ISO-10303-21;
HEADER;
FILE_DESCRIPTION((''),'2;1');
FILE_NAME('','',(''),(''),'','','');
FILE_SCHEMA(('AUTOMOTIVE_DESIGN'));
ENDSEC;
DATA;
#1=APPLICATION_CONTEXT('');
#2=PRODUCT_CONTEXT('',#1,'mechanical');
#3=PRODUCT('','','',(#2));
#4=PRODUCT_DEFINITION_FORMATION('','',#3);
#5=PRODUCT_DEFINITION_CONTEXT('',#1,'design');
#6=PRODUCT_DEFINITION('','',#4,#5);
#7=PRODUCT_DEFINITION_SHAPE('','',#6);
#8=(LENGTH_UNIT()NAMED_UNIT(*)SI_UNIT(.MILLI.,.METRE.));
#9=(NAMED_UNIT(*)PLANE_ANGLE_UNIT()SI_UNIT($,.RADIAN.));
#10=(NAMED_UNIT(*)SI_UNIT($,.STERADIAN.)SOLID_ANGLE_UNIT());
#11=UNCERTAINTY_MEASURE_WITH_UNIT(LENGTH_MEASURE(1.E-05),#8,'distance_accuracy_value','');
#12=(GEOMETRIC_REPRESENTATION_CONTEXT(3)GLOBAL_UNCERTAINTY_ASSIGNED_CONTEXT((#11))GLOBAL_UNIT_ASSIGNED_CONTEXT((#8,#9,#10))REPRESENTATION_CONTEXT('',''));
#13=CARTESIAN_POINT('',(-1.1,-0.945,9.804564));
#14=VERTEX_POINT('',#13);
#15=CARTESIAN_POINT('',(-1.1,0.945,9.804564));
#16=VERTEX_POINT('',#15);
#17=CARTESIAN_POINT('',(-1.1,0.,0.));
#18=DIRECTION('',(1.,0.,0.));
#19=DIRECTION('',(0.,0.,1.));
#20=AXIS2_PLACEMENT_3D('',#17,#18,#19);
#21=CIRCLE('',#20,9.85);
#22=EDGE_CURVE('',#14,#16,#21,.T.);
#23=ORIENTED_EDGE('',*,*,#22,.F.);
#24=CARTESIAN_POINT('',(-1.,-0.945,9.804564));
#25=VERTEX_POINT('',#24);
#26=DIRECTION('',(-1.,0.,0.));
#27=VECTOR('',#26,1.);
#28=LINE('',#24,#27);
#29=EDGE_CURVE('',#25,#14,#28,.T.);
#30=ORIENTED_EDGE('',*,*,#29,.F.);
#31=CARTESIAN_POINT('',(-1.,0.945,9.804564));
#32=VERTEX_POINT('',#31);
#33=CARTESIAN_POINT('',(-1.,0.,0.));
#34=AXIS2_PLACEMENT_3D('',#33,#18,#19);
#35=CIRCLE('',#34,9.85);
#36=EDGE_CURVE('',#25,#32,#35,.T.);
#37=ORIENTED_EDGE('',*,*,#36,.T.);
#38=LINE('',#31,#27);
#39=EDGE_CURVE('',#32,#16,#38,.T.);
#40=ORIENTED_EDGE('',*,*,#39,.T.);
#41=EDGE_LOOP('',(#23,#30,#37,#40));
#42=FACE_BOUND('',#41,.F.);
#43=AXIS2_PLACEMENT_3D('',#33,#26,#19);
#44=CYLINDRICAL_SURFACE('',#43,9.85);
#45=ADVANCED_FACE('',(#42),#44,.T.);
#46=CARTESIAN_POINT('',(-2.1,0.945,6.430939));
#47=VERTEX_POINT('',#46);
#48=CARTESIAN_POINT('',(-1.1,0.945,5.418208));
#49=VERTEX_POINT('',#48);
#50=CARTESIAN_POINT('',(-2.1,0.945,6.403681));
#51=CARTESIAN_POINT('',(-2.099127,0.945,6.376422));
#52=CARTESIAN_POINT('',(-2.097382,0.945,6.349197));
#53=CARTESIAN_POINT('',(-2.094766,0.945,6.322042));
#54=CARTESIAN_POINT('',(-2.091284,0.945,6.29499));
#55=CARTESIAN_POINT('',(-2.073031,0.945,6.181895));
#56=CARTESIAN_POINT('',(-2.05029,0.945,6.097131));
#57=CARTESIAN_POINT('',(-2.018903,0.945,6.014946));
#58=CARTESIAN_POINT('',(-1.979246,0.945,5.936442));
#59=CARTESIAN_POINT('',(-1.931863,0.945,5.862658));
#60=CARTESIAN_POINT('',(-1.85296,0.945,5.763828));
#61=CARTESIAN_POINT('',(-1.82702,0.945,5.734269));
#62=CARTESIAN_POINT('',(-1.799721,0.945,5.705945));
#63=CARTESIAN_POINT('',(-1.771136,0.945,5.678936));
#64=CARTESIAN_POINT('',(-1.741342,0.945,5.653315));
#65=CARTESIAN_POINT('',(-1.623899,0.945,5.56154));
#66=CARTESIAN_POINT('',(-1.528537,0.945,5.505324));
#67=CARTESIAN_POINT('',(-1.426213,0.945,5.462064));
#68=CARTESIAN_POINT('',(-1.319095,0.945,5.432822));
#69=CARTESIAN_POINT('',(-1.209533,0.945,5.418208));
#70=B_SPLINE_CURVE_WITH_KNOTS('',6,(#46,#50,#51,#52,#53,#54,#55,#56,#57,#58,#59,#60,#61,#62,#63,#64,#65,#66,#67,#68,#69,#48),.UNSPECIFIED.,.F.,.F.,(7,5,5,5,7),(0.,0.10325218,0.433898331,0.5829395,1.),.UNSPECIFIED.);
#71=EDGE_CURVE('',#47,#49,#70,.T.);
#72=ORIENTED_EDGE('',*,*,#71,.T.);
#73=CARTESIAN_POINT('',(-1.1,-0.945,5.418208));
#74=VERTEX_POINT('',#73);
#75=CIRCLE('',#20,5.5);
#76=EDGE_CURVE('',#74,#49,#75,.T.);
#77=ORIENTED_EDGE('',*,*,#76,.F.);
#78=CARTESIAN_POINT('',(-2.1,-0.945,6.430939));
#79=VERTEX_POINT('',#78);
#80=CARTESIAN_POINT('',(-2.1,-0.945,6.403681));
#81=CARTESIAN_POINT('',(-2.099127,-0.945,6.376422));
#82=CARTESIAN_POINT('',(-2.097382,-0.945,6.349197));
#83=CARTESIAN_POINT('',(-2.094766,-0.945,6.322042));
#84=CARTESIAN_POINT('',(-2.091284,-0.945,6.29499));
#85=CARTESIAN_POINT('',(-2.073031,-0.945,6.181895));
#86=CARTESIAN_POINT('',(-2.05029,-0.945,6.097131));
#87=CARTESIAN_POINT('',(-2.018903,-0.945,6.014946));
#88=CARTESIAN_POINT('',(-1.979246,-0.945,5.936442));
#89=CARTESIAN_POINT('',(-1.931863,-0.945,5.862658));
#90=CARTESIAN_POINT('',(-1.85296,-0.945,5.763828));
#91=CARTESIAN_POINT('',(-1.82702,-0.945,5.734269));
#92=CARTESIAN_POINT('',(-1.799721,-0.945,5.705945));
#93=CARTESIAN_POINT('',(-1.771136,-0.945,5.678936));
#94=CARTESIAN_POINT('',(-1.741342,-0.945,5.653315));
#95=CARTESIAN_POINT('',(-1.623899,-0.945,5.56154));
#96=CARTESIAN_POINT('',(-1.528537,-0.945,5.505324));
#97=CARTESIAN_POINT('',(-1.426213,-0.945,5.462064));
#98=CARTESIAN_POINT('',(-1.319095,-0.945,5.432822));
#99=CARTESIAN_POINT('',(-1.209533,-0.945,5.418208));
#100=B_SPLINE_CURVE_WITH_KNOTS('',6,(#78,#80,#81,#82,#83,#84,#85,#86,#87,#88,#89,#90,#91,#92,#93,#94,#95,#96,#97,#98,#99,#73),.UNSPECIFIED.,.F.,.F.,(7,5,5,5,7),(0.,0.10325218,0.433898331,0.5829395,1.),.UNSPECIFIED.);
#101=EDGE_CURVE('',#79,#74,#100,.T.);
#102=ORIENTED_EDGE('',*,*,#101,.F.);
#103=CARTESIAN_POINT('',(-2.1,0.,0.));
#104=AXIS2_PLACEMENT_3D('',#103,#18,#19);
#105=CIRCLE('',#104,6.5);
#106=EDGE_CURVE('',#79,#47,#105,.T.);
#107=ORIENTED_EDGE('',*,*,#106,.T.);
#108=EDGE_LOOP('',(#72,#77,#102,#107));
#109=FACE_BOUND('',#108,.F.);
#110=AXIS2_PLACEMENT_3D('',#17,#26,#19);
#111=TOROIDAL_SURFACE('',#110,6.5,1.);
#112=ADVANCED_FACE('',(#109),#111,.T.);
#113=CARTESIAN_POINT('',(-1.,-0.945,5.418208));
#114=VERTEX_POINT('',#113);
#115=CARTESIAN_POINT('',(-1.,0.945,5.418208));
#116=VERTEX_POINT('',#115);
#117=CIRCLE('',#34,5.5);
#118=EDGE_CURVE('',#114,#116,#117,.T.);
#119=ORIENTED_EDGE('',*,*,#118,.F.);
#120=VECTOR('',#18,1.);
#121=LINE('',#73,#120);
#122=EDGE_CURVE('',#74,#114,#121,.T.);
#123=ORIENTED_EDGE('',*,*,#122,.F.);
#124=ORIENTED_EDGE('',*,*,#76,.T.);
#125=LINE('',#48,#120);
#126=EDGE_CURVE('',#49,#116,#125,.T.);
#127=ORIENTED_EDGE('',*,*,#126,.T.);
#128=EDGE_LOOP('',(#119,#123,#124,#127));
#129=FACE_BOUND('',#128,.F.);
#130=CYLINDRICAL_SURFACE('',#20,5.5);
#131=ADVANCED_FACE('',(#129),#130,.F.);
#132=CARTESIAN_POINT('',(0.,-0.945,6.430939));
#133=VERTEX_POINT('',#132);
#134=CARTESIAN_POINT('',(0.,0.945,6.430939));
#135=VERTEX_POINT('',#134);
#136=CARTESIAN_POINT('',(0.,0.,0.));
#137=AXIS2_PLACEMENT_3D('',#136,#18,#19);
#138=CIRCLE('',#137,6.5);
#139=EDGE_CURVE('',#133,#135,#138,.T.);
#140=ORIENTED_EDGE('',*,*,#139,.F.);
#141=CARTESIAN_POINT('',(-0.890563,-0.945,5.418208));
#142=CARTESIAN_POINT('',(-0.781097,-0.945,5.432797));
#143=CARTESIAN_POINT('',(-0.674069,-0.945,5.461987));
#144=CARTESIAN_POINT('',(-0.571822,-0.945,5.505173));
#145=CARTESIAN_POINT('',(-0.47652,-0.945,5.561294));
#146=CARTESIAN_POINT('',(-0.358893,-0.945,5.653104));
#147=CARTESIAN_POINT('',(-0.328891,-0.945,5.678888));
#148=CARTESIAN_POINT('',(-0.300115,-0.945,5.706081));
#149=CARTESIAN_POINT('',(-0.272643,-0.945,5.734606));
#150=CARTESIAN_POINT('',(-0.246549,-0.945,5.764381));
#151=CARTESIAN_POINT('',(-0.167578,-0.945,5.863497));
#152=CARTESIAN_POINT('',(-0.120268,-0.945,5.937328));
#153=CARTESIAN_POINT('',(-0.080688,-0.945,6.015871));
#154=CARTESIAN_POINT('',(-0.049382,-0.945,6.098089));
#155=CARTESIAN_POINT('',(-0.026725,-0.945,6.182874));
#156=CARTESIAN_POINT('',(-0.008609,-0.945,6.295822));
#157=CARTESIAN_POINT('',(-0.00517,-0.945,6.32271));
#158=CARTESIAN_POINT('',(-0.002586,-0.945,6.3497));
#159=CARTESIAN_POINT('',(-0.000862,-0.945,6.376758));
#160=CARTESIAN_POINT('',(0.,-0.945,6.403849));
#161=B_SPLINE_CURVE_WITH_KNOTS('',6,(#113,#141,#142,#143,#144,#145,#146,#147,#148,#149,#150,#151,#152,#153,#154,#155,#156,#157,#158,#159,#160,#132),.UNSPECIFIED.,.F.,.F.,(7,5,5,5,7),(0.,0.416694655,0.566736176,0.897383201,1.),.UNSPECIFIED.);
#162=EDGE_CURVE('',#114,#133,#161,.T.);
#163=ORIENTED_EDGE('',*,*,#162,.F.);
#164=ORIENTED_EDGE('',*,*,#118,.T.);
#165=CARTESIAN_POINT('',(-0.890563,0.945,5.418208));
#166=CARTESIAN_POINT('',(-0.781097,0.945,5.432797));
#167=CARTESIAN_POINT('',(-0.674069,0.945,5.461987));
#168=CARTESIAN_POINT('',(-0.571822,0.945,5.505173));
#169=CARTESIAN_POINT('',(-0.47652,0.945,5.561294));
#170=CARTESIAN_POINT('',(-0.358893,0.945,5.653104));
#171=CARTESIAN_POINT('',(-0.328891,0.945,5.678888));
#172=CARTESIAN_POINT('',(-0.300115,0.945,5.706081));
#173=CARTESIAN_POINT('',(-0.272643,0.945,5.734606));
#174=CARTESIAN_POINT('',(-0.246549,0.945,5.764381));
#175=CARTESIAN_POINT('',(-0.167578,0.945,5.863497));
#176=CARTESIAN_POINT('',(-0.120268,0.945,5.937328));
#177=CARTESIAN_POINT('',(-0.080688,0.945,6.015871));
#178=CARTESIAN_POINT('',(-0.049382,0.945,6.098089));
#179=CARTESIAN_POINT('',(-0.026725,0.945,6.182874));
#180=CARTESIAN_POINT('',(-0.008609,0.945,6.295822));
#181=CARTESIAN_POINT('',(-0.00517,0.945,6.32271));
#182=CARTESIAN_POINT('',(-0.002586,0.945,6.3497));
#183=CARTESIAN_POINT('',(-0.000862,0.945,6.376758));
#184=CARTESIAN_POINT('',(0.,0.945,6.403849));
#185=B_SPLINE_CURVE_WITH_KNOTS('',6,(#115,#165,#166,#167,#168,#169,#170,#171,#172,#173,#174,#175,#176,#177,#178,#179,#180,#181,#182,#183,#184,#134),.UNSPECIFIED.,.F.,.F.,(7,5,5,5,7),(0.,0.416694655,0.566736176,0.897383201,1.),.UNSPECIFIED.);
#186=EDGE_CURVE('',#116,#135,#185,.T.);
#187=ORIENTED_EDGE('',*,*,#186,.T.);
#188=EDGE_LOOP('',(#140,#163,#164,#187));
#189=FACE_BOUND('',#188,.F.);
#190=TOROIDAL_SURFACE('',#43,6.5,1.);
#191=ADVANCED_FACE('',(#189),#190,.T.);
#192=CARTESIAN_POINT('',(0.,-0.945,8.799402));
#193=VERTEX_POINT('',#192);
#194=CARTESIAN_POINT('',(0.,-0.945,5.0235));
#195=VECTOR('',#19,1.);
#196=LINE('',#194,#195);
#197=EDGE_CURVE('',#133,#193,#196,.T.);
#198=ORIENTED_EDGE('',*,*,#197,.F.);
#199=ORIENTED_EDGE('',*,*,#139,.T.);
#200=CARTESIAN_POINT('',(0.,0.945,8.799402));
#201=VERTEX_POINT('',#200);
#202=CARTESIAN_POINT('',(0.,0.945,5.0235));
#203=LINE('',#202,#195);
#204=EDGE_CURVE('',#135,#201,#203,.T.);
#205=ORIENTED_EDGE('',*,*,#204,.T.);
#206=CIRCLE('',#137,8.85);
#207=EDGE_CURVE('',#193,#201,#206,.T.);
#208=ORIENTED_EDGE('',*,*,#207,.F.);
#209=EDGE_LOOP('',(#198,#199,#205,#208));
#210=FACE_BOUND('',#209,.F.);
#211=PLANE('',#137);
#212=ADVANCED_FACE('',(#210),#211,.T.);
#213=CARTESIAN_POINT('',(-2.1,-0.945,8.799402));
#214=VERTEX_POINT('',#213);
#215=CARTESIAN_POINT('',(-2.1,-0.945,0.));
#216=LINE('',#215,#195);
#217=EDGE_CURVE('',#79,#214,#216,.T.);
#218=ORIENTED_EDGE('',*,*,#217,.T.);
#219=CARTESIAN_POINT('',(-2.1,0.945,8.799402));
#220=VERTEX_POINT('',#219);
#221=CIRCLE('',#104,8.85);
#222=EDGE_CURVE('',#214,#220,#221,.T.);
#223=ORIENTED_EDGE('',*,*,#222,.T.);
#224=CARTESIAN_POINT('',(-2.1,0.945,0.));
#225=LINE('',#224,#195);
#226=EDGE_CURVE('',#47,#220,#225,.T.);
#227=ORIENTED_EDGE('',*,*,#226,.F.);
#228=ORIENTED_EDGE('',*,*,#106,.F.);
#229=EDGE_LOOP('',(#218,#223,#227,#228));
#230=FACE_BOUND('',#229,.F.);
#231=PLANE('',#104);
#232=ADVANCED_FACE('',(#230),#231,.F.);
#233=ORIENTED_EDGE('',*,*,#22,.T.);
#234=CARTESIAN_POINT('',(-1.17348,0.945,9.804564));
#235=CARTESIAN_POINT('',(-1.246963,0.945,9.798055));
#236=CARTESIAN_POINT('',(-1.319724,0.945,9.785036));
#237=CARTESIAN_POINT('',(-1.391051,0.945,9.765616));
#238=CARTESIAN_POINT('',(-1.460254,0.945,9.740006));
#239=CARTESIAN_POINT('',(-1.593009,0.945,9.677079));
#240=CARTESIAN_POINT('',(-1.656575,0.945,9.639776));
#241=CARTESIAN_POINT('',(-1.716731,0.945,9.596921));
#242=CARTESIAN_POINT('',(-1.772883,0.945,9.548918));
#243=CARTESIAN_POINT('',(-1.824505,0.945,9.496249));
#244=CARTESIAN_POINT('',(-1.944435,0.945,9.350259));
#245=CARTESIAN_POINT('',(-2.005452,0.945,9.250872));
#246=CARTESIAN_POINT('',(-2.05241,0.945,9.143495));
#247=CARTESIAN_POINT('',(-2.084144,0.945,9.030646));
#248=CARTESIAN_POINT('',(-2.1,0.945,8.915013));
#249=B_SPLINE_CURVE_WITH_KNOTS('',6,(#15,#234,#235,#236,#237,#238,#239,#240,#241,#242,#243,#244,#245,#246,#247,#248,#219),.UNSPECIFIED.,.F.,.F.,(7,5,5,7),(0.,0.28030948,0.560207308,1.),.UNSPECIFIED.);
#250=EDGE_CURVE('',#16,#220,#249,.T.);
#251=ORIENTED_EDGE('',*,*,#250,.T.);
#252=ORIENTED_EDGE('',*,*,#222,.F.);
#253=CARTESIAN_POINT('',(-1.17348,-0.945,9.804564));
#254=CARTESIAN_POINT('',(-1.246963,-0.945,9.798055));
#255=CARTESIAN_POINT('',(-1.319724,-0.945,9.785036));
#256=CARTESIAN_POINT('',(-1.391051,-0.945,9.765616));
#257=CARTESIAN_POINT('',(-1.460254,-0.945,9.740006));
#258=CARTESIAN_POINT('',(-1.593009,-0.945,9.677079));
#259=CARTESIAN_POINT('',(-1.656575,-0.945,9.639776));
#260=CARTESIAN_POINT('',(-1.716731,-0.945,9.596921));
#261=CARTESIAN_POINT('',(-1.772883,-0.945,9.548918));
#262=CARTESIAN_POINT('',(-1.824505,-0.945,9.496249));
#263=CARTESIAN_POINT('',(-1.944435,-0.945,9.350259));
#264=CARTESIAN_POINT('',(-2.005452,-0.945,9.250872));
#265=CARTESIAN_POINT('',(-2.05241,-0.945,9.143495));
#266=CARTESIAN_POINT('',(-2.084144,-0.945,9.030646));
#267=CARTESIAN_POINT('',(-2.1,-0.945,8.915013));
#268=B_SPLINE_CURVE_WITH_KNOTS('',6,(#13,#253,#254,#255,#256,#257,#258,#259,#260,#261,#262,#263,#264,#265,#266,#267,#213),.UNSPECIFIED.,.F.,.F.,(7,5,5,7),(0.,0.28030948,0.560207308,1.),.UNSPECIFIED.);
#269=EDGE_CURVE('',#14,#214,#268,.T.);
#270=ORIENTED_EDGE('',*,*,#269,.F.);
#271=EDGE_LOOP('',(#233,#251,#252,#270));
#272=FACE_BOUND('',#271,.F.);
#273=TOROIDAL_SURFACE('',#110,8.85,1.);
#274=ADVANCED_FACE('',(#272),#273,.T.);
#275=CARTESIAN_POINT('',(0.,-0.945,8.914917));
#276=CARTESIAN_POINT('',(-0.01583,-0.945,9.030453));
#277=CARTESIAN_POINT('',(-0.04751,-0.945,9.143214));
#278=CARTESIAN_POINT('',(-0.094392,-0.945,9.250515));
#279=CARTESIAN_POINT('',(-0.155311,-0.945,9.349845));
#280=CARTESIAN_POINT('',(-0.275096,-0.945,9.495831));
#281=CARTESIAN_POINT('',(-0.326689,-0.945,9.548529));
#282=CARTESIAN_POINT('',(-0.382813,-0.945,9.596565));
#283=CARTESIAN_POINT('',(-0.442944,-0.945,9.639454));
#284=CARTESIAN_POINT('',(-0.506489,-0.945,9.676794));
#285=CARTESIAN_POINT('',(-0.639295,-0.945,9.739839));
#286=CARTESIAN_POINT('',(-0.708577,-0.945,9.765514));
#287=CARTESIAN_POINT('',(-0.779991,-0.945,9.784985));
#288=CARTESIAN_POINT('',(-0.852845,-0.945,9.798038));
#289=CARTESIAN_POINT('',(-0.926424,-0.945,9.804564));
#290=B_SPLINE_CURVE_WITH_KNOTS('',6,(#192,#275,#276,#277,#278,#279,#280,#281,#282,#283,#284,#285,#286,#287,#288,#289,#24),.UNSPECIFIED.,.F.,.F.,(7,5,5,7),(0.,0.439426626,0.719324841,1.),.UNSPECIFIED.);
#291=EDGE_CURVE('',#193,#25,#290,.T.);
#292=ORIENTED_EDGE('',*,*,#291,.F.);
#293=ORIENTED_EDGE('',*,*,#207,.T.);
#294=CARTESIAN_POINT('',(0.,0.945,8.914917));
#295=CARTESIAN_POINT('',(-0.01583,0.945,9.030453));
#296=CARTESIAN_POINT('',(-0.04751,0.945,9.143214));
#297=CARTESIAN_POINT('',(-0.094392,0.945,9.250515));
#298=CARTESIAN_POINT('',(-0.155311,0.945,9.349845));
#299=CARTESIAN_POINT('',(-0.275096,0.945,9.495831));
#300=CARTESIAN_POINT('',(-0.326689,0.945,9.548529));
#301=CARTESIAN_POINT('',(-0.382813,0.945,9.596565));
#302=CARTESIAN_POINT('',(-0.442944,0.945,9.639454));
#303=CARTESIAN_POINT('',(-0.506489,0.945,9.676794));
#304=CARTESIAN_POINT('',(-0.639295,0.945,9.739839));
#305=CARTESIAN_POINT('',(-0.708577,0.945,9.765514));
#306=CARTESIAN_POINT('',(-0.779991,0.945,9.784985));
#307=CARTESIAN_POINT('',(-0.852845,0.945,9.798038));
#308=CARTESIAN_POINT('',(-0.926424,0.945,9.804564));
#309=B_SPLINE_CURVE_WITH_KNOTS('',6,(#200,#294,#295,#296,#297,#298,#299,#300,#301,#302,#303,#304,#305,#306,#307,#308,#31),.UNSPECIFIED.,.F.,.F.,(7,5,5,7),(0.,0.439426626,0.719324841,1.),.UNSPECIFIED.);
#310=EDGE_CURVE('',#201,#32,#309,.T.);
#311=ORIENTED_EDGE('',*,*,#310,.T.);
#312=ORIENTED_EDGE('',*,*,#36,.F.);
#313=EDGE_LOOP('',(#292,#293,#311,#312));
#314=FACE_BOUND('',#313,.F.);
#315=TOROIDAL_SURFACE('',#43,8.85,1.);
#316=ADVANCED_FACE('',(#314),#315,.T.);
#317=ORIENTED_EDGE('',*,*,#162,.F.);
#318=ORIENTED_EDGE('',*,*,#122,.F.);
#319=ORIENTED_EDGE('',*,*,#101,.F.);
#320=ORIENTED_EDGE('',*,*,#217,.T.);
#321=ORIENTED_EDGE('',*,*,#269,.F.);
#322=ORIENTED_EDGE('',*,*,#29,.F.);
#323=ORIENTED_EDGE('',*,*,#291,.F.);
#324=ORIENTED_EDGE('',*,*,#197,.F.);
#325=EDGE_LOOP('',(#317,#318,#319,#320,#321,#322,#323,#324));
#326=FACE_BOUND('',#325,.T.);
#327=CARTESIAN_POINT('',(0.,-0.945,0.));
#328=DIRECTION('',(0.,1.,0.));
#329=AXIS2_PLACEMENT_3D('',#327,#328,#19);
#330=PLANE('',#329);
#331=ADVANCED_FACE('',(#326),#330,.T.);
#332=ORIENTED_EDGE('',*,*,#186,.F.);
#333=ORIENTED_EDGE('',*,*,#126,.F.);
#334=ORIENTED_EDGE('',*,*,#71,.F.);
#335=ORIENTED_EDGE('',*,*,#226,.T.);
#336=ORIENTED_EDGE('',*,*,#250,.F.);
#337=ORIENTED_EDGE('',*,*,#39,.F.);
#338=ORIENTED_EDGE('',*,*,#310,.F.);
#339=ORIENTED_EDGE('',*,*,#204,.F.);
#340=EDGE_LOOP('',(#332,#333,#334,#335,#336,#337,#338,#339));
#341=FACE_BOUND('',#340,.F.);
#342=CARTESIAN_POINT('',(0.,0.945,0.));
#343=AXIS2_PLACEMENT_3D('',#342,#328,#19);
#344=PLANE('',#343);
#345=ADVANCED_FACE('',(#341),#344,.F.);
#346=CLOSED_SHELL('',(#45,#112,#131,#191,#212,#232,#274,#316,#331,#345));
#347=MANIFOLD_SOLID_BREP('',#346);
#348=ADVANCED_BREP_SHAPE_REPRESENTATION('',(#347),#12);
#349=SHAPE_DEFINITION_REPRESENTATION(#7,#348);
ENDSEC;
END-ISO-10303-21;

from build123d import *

# Parameters (mm, degrees)
SKETCH2_W = 1.89
SKETCH2_H = 10.047
GAP_DEPTH = 15.087405793


with BuildPart() as part:
    # Sketch1 → Base-Revolve (revolve)
    with BuildSketch(Plane.XY, mode=Mode.PRIVATE) as base_revolve_sk:
        with BuildLine():
            Line((0, 6.5), (0, 8.85))
            ThreePointArc((0, 8.85), (-0.292893219, 9.557106781), (-1, 9.85))
            Line((-1, 9.85), (-1.1, 9.85))
            ThreePointArc((-1.1, 9.85), (-1.807106781, 9.557106781), (-2.1, 8.85))
            Line((-2.1, 8.85), (-2.1, 6.5))
            ThreePointArc((-2.1, 6.5), (-1.807106781, 5.792893219), (-1.1, 5.5))
            Line((-1.1, 5.5), (-1, 5.5))
            ThreePointArc((-1, 5.5), (-0.292893219, 5.792893219), (0, 6.5))
        make_face()
    revolve(base_revolve_sk.sketch.rotate(Axis((-34.925, 0, 0), (1, 0, 0)), 90), axis=Axis((-34.925, 0, 0), (1, 0, 0)))

    # Sketch2 → Gap (cut, through all)
    with BuildSketch(Plane(origin=(0, 0, 0), x_dir=(0, -1, 0), z_dir=(-1, 0, 0))):
        with Locations((0, 5.0235)):
            Rectangle(SKETCH2_W, SKETCH2_H)
    extrude(amount=GAP_DEPTH, mode=Mode.SUBTRACT)


solid = part.part
